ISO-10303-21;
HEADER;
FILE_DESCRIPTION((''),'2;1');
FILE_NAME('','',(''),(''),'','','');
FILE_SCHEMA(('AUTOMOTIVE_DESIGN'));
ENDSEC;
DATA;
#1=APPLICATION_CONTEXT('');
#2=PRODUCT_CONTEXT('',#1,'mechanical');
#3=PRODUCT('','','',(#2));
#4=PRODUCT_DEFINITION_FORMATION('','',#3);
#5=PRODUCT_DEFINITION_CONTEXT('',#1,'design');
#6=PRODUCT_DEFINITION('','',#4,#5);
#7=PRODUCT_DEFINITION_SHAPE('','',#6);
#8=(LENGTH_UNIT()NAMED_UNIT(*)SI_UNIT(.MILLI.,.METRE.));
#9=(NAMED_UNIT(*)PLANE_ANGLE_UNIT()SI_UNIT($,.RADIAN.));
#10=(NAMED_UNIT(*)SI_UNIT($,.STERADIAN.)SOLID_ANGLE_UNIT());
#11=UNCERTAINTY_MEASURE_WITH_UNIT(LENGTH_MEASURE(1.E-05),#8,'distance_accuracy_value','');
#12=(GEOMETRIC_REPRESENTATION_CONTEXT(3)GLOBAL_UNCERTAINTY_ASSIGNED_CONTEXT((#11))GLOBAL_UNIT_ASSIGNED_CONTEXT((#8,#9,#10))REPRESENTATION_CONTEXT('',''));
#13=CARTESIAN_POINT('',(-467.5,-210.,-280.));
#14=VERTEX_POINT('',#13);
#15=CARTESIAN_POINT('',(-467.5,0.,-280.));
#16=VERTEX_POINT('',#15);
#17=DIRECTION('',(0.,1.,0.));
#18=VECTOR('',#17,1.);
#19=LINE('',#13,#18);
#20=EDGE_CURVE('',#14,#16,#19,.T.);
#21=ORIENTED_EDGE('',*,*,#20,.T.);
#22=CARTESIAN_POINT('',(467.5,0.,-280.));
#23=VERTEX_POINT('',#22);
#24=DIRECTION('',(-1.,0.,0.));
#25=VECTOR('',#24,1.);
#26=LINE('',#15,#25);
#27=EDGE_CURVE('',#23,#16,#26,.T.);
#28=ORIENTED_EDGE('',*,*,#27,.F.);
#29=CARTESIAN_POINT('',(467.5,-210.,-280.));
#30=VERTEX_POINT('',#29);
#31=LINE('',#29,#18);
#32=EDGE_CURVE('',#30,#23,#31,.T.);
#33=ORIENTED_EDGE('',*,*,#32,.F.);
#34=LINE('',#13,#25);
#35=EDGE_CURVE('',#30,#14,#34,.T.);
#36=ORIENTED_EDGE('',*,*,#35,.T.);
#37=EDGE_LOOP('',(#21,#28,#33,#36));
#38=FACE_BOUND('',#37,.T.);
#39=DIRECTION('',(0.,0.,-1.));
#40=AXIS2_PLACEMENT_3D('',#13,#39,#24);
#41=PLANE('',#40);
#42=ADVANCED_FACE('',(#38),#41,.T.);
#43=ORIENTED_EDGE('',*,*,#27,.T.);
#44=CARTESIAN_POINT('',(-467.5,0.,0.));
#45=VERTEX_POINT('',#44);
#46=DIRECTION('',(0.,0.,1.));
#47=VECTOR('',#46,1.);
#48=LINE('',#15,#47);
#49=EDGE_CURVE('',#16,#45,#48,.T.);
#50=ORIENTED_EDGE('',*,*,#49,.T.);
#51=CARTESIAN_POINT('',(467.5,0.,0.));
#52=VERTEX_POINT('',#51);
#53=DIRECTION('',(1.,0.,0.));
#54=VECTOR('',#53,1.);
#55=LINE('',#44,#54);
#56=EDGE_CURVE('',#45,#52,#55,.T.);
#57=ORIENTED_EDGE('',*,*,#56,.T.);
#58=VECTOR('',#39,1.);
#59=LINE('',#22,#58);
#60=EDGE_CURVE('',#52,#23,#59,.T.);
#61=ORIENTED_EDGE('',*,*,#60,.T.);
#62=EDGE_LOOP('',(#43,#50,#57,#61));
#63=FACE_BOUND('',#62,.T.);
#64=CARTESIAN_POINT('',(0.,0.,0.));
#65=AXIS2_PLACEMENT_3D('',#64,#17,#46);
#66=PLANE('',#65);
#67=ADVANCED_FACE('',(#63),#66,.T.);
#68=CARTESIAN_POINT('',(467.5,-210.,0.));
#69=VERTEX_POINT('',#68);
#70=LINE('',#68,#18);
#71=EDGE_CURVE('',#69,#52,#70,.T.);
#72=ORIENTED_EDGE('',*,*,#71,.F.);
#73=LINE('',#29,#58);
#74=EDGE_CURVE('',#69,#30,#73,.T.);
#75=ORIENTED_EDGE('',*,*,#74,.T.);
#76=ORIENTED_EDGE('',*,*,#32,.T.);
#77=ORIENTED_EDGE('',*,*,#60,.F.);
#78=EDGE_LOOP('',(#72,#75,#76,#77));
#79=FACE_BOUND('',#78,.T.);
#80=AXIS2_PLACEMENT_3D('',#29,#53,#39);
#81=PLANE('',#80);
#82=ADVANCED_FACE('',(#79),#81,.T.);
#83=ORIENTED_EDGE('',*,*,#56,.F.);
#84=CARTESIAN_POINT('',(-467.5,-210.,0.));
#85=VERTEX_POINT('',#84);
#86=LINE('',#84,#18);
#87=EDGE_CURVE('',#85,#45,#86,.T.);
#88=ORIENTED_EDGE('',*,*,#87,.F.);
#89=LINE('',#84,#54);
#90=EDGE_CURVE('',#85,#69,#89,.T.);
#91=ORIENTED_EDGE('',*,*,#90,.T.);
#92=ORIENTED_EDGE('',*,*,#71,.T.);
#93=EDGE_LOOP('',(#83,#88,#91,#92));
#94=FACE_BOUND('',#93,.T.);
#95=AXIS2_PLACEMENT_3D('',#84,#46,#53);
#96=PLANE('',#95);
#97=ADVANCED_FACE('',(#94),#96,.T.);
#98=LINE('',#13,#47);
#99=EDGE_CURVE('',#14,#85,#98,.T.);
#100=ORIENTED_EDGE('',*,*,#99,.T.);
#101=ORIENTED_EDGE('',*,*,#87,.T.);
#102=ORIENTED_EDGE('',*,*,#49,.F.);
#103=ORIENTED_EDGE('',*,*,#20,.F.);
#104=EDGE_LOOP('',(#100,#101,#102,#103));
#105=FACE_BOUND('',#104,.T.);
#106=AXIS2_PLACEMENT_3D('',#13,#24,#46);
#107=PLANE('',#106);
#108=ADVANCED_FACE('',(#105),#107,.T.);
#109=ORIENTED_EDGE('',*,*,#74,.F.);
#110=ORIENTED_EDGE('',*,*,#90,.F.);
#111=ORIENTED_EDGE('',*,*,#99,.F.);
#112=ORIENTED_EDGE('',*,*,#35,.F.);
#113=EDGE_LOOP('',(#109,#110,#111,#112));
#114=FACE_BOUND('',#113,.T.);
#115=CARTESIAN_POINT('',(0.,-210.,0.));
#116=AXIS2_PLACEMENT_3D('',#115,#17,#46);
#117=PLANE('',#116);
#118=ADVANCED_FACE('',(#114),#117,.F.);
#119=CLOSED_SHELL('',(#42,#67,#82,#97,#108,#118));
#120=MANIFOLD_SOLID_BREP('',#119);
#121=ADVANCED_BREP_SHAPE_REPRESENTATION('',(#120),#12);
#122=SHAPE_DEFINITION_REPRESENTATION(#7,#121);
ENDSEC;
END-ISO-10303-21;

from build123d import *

# Parameters (mm, degrees)
SKETCH1_W           = 935
SKETCH1_H           = 280
BOSS_EXTRUDE1_DEPTH = 210


with BuildPart() as part:
    # Sketch1 → Boss-Extrude1 (new body)
    with BuildSketch(Plane(origin=(0, 0, 0), x_dir=(1, 0, 0), z_dir=(0, 1, 0))):
        with Locations((0, 140)):
            Rectangle(SKETCH1_W, SKETCH1_H)
    extrude(amount=-BOSS_EXTRUDE1_DEPTH)


solid = part.part
